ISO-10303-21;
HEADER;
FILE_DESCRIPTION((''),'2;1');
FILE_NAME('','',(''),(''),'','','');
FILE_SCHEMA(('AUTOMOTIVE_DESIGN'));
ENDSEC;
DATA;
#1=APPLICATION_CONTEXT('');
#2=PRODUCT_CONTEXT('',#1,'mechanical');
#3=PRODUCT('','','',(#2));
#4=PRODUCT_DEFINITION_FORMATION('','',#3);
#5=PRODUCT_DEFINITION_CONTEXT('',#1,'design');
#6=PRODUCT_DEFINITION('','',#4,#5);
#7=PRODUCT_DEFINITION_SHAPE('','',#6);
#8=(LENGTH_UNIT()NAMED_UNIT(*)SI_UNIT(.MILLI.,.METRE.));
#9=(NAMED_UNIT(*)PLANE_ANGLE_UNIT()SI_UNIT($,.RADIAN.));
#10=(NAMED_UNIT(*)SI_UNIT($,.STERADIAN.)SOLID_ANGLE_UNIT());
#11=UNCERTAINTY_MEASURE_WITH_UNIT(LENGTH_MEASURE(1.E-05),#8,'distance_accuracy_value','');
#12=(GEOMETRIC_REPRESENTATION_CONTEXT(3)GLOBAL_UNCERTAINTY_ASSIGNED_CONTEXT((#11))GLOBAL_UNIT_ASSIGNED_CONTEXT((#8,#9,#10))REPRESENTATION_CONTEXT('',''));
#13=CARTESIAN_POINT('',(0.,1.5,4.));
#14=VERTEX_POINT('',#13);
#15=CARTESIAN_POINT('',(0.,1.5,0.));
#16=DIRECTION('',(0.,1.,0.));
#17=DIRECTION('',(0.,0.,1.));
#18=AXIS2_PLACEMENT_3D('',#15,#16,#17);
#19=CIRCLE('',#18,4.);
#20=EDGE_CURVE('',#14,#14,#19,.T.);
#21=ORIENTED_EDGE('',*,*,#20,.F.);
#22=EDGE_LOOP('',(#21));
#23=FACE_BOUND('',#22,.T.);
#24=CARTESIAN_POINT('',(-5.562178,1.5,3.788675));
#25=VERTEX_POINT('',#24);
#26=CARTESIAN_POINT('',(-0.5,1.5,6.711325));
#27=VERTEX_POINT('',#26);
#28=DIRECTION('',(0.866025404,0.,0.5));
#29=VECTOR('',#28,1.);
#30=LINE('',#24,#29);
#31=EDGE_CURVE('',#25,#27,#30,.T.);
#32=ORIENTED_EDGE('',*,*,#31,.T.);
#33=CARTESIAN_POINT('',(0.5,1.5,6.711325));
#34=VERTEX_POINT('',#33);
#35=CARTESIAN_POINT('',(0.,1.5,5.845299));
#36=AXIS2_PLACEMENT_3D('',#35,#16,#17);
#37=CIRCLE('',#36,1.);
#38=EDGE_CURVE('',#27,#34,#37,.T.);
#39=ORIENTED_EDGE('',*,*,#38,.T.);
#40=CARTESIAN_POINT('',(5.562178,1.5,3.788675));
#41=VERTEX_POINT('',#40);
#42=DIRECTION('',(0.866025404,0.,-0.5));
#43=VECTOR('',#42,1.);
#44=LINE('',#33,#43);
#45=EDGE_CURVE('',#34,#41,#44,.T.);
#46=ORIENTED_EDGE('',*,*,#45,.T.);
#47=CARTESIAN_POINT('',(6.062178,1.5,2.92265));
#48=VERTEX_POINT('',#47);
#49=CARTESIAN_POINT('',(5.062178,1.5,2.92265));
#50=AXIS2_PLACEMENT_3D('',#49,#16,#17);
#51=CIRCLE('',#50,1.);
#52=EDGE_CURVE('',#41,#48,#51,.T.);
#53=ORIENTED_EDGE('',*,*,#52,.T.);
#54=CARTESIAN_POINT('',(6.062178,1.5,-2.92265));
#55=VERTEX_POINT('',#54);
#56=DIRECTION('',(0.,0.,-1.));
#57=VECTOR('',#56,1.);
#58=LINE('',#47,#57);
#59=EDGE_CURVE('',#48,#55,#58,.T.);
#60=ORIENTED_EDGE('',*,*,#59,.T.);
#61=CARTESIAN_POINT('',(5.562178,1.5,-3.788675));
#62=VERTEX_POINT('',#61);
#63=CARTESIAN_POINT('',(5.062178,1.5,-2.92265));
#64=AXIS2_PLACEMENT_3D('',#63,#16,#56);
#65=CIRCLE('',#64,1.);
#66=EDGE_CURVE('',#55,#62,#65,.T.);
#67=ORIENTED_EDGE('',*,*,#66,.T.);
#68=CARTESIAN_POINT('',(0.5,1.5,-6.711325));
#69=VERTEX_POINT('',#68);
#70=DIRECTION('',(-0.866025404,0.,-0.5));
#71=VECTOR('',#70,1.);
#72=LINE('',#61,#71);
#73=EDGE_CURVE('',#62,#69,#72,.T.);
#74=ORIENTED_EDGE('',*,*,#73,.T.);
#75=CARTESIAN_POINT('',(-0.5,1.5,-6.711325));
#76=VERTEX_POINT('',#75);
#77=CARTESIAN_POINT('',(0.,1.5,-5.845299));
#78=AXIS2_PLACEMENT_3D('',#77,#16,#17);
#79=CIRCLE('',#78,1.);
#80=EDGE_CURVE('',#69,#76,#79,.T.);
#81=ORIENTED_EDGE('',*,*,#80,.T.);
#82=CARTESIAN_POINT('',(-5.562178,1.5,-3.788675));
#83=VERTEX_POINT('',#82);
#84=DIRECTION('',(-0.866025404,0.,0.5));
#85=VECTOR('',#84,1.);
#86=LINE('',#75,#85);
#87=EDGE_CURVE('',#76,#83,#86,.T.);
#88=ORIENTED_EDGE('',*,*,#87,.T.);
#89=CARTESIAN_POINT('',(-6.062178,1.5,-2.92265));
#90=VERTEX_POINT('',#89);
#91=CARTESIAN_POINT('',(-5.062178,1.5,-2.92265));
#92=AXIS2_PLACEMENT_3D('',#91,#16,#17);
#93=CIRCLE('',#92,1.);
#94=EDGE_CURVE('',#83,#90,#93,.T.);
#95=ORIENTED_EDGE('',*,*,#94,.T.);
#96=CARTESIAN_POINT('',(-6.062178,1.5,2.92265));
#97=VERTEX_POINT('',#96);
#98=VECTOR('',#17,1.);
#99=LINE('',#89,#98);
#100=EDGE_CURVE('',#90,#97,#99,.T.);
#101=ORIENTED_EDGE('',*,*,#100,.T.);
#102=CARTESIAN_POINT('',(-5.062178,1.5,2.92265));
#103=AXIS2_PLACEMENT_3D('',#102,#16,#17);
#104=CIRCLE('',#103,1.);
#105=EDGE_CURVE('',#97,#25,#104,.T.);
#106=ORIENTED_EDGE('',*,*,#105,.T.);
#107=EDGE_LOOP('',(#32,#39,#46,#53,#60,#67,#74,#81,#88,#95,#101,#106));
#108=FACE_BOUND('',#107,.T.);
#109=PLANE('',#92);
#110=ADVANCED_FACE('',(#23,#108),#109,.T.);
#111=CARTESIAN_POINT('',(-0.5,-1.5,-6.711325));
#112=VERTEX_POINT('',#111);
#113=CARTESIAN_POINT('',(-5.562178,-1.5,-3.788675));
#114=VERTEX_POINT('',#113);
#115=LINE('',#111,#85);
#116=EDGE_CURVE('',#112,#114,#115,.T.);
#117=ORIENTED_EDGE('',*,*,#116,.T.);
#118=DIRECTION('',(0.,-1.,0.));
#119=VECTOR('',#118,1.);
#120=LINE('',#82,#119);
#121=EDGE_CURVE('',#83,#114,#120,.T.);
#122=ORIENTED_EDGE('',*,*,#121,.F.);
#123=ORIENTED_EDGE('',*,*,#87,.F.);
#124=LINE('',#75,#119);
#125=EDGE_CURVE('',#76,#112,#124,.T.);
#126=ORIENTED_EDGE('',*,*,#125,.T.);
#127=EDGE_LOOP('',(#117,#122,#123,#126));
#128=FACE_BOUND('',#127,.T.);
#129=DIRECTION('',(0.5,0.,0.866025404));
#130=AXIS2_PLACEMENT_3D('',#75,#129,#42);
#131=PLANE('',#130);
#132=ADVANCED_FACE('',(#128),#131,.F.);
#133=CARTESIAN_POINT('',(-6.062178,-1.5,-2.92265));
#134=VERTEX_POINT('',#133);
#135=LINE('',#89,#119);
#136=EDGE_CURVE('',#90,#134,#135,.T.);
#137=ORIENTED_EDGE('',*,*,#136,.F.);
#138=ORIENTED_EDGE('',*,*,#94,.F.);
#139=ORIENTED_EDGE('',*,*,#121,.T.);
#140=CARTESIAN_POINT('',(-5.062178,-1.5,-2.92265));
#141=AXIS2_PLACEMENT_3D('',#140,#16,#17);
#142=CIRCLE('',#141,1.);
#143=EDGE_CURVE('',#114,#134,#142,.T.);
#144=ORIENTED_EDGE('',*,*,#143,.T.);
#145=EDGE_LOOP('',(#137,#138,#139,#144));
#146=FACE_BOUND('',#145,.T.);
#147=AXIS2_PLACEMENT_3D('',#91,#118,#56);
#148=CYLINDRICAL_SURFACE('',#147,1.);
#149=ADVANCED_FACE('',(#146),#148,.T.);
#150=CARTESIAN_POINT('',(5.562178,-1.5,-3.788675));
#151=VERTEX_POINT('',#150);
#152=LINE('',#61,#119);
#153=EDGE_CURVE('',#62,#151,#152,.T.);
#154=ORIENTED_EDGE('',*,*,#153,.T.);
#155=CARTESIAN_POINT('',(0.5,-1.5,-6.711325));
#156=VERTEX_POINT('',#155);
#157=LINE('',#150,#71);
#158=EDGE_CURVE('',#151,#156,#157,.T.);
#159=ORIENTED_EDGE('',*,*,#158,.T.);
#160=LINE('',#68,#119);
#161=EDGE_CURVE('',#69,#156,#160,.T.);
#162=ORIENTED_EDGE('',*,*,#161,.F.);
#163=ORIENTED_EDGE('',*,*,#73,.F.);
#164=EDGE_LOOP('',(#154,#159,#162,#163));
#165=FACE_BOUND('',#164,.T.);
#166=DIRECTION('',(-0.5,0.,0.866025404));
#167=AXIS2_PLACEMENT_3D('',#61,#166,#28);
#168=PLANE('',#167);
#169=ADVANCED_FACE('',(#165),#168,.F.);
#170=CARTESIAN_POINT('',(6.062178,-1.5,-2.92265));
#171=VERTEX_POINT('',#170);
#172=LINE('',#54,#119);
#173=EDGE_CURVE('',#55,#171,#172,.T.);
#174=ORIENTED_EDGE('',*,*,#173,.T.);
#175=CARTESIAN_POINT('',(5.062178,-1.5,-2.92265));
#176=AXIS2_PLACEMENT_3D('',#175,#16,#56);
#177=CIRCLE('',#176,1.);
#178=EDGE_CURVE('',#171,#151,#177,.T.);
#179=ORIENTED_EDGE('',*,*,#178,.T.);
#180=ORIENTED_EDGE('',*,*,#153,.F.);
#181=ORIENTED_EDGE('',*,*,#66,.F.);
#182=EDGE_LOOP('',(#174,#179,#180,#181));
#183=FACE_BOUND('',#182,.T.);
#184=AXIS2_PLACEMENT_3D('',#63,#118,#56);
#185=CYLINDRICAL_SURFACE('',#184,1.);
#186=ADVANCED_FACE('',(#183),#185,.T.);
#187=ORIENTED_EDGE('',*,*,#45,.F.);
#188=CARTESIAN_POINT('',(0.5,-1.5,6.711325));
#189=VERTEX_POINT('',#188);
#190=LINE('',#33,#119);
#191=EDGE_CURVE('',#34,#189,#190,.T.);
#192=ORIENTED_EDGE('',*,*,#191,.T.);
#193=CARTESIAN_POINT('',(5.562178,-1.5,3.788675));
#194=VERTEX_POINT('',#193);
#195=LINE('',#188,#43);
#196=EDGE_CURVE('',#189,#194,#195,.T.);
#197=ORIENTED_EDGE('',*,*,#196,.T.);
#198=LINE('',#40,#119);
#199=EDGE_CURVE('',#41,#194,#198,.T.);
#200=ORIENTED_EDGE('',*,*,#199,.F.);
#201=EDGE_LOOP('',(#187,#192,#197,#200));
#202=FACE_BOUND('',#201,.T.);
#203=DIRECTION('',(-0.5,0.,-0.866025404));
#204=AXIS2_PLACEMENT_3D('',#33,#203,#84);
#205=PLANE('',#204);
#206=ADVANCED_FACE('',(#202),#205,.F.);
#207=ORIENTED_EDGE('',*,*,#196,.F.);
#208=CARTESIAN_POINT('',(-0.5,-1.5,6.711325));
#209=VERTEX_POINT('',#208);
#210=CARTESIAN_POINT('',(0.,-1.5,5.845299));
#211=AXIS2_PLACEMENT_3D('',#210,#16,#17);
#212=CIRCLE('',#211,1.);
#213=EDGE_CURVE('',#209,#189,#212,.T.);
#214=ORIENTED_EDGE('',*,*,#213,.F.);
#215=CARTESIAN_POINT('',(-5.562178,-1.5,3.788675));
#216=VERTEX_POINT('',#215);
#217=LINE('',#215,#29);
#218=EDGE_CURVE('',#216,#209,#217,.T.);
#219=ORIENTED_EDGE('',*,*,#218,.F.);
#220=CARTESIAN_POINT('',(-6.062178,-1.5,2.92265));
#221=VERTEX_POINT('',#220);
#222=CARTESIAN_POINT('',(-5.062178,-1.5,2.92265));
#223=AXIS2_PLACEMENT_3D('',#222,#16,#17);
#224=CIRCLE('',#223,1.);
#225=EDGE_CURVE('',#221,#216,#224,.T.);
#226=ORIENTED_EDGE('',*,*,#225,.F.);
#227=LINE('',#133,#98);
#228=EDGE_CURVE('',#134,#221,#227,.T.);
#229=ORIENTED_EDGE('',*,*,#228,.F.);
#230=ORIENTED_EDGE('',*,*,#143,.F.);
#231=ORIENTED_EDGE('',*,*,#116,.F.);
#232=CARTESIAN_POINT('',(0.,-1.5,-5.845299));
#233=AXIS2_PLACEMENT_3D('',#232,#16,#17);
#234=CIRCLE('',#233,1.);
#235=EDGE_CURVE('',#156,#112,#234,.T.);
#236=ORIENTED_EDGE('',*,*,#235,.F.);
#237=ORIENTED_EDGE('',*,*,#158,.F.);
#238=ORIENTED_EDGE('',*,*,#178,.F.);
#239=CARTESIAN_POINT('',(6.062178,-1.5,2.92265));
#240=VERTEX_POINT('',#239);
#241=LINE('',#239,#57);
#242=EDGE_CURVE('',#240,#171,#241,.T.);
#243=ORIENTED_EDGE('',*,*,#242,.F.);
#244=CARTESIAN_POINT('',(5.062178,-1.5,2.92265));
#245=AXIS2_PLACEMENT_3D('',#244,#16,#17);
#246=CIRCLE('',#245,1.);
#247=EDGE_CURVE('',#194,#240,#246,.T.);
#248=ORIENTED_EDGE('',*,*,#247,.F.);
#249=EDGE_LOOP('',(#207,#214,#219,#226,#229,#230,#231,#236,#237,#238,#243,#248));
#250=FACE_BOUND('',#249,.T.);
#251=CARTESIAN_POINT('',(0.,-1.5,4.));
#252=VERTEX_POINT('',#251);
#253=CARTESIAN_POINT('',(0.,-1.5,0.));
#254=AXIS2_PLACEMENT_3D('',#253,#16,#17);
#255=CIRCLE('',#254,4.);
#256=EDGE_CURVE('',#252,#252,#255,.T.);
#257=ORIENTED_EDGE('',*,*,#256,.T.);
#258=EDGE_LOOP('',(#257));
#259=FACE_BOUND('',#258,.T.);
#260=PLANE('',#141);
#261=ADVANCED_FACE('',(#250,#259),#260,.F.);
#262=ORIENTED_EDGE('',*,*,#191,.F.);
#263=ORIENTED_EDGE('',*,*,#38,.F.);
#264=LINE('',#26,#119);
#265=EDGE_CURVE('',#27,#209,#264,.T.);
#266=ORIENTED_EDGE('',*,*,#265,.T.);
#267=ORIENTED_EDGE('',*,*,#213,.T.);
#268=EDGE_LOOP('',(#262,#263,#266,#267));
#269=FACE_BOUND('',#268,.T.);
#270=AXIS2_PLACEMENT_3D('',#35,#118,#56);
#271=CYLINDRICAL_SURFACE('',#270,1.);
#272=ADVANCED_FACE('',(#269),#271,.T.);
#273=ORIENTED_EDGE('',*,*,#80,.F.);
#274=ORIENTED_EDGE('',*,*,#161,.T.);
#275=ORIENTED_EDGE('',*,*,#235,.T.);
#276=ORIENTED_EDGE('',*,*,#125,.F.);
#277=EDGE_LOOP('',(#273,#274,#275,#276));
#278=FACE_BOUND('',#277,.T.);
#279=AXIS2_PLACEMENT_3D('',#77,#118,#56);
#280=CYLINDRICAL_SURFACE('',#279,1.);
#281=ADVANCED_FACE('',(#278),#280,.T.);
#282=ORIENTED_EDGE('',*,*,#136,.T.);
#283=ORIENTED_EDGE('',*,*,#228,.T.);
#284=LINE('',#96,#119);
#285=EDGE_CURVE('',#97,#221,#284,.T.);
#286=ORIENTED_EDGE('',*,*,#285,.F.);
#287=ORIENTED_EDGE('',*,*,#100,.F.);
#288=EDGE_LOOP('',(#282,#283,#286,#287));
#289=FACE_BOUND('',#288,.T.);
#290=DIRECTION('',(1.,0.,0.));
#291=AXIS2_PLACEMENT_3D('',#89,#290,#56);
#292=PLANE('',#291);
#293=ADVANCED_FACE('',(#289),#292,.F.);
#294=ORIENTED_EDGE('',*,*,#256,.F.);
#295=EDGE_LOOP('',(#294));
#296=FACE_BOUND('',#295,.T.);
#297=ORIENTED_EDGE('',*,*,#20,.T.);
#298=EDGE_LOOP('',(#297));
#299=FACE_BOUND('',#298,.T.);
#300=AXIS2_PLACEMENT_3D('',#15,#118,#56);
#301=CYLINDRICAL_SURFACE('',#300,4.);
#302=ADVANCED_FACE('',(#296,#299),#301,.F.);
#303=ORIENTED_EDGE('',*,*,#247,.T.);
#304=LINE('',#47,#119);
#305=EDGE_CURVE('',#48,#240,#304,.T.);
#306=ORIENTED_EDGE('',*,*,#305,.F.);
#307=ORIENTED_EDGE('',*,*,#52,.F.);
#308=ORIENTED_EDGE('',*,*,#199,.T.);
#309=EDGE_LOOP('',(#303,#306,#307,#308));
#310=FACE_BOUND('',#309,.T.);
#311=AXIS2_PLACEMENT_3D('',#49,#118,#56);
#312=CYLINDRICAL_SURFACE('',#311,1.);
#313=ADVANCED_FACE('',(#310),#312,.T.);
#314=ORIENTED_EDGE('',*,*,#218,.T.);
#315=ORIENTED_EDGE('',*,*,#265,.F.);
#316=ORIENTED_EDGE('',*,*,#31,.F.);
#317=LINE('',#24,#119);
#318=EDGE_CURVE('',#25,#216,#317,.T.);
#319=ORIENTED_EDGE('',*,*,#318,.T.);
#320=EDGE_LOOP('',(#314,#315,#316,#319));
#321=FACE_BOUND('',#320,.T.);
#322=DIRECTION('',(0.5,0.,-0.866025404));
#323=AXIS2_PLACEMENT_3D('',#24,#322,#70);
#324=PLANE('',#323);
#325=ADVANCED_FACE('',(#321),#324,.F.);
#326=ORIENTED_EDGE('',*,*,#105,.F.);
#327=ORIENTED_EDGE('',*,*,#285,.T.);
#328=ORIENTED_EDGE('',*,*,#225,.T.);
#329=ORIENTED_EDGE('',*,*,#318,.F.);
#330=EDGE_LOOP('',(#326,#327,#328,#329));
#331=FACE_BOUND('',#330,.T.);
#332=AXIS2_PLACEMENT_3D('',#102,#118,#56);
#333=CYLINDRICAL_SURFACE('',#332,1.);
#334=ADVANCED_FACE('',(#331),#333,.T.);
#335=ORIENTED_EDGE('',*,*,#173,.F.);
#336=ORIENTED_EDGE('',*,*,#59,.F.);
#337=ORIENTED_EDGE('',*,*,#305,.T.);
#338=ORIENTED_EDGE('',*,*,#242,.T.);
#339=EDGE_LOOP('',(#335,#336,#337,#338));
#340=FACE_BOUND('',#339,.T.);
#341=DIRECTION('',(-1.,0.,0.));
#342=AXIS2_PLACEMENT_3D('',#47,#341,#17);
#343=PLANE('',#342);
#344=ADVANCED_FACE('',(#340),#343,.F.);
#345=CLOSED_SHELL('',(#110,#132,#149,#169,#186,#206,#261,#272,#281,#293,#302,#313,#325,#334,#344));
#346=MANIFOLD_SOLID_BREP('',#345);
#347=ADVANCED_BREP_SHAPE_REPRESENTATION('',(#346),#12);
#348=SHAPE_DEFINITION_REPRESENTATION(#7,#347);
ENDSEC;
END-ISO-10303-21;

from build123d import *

# Parameters (mm, degrees)
SKETCH1_R           = 4
BOSS_EXTRUDE1_DEPTH = 1.5


with BuildPart() as part:
    # Sketch1 → Boss-Extrude1 (new, symmetric)
    with BuildSketch(Plane(origin=(0, 0, 0), x_dir=(1, 0, 0), z_dir=(0, 1, 0))):
        with BuildLine():
            Line((5.562177826, 3.788675135), (0.5, 6.711324865))
            ThreePointArc((0.5, 6.711324865), (0, 6.845299462), (-0.5, 6.711324865))
            Line((-0.5, 6.711324865), (-5.562177826, 3.788675135))
            ThreePointArc((-5.562177826, 3.788675135), (-5.92820323, 3.422649731), (-6.062177826, 2.922649731))
            Line((-6.062177826, 2.922649731), (-6.062177826, -2.922649731))
            ThreePointArc((-6.062177826, -2.922649731), (-5.92820323, -3.422649731), (-5.562177826, -3.788675135))
            Line((-5.562177826, -3.788675135), (-0.5, -6.711324865))
            ThreePointArc((-0.5, -6.711324865), (0, -6.845299462), (0.5, -6.711324865))
            Line((0.5, -6.711324865), (5.562177826, -3.788675135))
            ThreePointArc((5.562177826, -3.788675135), (5.92820323, -3.422649731), (6.062177826, -2.922649731))
            Line((6.062177826, -2.922649731), (6.062177826, 2.922649731))
            ThreePointArc((6.062177826, 2.922649731), (5.92820323, 3.422649731), (5.562177826, 3.788675135))
        make_face()
        with Locations(Location((0, 0, 0), (0, 0, 270))):
            Circle(SKETCH1_R, mode=Mode.SUBTRACT)
    extrude(amount=BOSS_EXTRUDE1_DEPTH, both=True)


solid = part.part
